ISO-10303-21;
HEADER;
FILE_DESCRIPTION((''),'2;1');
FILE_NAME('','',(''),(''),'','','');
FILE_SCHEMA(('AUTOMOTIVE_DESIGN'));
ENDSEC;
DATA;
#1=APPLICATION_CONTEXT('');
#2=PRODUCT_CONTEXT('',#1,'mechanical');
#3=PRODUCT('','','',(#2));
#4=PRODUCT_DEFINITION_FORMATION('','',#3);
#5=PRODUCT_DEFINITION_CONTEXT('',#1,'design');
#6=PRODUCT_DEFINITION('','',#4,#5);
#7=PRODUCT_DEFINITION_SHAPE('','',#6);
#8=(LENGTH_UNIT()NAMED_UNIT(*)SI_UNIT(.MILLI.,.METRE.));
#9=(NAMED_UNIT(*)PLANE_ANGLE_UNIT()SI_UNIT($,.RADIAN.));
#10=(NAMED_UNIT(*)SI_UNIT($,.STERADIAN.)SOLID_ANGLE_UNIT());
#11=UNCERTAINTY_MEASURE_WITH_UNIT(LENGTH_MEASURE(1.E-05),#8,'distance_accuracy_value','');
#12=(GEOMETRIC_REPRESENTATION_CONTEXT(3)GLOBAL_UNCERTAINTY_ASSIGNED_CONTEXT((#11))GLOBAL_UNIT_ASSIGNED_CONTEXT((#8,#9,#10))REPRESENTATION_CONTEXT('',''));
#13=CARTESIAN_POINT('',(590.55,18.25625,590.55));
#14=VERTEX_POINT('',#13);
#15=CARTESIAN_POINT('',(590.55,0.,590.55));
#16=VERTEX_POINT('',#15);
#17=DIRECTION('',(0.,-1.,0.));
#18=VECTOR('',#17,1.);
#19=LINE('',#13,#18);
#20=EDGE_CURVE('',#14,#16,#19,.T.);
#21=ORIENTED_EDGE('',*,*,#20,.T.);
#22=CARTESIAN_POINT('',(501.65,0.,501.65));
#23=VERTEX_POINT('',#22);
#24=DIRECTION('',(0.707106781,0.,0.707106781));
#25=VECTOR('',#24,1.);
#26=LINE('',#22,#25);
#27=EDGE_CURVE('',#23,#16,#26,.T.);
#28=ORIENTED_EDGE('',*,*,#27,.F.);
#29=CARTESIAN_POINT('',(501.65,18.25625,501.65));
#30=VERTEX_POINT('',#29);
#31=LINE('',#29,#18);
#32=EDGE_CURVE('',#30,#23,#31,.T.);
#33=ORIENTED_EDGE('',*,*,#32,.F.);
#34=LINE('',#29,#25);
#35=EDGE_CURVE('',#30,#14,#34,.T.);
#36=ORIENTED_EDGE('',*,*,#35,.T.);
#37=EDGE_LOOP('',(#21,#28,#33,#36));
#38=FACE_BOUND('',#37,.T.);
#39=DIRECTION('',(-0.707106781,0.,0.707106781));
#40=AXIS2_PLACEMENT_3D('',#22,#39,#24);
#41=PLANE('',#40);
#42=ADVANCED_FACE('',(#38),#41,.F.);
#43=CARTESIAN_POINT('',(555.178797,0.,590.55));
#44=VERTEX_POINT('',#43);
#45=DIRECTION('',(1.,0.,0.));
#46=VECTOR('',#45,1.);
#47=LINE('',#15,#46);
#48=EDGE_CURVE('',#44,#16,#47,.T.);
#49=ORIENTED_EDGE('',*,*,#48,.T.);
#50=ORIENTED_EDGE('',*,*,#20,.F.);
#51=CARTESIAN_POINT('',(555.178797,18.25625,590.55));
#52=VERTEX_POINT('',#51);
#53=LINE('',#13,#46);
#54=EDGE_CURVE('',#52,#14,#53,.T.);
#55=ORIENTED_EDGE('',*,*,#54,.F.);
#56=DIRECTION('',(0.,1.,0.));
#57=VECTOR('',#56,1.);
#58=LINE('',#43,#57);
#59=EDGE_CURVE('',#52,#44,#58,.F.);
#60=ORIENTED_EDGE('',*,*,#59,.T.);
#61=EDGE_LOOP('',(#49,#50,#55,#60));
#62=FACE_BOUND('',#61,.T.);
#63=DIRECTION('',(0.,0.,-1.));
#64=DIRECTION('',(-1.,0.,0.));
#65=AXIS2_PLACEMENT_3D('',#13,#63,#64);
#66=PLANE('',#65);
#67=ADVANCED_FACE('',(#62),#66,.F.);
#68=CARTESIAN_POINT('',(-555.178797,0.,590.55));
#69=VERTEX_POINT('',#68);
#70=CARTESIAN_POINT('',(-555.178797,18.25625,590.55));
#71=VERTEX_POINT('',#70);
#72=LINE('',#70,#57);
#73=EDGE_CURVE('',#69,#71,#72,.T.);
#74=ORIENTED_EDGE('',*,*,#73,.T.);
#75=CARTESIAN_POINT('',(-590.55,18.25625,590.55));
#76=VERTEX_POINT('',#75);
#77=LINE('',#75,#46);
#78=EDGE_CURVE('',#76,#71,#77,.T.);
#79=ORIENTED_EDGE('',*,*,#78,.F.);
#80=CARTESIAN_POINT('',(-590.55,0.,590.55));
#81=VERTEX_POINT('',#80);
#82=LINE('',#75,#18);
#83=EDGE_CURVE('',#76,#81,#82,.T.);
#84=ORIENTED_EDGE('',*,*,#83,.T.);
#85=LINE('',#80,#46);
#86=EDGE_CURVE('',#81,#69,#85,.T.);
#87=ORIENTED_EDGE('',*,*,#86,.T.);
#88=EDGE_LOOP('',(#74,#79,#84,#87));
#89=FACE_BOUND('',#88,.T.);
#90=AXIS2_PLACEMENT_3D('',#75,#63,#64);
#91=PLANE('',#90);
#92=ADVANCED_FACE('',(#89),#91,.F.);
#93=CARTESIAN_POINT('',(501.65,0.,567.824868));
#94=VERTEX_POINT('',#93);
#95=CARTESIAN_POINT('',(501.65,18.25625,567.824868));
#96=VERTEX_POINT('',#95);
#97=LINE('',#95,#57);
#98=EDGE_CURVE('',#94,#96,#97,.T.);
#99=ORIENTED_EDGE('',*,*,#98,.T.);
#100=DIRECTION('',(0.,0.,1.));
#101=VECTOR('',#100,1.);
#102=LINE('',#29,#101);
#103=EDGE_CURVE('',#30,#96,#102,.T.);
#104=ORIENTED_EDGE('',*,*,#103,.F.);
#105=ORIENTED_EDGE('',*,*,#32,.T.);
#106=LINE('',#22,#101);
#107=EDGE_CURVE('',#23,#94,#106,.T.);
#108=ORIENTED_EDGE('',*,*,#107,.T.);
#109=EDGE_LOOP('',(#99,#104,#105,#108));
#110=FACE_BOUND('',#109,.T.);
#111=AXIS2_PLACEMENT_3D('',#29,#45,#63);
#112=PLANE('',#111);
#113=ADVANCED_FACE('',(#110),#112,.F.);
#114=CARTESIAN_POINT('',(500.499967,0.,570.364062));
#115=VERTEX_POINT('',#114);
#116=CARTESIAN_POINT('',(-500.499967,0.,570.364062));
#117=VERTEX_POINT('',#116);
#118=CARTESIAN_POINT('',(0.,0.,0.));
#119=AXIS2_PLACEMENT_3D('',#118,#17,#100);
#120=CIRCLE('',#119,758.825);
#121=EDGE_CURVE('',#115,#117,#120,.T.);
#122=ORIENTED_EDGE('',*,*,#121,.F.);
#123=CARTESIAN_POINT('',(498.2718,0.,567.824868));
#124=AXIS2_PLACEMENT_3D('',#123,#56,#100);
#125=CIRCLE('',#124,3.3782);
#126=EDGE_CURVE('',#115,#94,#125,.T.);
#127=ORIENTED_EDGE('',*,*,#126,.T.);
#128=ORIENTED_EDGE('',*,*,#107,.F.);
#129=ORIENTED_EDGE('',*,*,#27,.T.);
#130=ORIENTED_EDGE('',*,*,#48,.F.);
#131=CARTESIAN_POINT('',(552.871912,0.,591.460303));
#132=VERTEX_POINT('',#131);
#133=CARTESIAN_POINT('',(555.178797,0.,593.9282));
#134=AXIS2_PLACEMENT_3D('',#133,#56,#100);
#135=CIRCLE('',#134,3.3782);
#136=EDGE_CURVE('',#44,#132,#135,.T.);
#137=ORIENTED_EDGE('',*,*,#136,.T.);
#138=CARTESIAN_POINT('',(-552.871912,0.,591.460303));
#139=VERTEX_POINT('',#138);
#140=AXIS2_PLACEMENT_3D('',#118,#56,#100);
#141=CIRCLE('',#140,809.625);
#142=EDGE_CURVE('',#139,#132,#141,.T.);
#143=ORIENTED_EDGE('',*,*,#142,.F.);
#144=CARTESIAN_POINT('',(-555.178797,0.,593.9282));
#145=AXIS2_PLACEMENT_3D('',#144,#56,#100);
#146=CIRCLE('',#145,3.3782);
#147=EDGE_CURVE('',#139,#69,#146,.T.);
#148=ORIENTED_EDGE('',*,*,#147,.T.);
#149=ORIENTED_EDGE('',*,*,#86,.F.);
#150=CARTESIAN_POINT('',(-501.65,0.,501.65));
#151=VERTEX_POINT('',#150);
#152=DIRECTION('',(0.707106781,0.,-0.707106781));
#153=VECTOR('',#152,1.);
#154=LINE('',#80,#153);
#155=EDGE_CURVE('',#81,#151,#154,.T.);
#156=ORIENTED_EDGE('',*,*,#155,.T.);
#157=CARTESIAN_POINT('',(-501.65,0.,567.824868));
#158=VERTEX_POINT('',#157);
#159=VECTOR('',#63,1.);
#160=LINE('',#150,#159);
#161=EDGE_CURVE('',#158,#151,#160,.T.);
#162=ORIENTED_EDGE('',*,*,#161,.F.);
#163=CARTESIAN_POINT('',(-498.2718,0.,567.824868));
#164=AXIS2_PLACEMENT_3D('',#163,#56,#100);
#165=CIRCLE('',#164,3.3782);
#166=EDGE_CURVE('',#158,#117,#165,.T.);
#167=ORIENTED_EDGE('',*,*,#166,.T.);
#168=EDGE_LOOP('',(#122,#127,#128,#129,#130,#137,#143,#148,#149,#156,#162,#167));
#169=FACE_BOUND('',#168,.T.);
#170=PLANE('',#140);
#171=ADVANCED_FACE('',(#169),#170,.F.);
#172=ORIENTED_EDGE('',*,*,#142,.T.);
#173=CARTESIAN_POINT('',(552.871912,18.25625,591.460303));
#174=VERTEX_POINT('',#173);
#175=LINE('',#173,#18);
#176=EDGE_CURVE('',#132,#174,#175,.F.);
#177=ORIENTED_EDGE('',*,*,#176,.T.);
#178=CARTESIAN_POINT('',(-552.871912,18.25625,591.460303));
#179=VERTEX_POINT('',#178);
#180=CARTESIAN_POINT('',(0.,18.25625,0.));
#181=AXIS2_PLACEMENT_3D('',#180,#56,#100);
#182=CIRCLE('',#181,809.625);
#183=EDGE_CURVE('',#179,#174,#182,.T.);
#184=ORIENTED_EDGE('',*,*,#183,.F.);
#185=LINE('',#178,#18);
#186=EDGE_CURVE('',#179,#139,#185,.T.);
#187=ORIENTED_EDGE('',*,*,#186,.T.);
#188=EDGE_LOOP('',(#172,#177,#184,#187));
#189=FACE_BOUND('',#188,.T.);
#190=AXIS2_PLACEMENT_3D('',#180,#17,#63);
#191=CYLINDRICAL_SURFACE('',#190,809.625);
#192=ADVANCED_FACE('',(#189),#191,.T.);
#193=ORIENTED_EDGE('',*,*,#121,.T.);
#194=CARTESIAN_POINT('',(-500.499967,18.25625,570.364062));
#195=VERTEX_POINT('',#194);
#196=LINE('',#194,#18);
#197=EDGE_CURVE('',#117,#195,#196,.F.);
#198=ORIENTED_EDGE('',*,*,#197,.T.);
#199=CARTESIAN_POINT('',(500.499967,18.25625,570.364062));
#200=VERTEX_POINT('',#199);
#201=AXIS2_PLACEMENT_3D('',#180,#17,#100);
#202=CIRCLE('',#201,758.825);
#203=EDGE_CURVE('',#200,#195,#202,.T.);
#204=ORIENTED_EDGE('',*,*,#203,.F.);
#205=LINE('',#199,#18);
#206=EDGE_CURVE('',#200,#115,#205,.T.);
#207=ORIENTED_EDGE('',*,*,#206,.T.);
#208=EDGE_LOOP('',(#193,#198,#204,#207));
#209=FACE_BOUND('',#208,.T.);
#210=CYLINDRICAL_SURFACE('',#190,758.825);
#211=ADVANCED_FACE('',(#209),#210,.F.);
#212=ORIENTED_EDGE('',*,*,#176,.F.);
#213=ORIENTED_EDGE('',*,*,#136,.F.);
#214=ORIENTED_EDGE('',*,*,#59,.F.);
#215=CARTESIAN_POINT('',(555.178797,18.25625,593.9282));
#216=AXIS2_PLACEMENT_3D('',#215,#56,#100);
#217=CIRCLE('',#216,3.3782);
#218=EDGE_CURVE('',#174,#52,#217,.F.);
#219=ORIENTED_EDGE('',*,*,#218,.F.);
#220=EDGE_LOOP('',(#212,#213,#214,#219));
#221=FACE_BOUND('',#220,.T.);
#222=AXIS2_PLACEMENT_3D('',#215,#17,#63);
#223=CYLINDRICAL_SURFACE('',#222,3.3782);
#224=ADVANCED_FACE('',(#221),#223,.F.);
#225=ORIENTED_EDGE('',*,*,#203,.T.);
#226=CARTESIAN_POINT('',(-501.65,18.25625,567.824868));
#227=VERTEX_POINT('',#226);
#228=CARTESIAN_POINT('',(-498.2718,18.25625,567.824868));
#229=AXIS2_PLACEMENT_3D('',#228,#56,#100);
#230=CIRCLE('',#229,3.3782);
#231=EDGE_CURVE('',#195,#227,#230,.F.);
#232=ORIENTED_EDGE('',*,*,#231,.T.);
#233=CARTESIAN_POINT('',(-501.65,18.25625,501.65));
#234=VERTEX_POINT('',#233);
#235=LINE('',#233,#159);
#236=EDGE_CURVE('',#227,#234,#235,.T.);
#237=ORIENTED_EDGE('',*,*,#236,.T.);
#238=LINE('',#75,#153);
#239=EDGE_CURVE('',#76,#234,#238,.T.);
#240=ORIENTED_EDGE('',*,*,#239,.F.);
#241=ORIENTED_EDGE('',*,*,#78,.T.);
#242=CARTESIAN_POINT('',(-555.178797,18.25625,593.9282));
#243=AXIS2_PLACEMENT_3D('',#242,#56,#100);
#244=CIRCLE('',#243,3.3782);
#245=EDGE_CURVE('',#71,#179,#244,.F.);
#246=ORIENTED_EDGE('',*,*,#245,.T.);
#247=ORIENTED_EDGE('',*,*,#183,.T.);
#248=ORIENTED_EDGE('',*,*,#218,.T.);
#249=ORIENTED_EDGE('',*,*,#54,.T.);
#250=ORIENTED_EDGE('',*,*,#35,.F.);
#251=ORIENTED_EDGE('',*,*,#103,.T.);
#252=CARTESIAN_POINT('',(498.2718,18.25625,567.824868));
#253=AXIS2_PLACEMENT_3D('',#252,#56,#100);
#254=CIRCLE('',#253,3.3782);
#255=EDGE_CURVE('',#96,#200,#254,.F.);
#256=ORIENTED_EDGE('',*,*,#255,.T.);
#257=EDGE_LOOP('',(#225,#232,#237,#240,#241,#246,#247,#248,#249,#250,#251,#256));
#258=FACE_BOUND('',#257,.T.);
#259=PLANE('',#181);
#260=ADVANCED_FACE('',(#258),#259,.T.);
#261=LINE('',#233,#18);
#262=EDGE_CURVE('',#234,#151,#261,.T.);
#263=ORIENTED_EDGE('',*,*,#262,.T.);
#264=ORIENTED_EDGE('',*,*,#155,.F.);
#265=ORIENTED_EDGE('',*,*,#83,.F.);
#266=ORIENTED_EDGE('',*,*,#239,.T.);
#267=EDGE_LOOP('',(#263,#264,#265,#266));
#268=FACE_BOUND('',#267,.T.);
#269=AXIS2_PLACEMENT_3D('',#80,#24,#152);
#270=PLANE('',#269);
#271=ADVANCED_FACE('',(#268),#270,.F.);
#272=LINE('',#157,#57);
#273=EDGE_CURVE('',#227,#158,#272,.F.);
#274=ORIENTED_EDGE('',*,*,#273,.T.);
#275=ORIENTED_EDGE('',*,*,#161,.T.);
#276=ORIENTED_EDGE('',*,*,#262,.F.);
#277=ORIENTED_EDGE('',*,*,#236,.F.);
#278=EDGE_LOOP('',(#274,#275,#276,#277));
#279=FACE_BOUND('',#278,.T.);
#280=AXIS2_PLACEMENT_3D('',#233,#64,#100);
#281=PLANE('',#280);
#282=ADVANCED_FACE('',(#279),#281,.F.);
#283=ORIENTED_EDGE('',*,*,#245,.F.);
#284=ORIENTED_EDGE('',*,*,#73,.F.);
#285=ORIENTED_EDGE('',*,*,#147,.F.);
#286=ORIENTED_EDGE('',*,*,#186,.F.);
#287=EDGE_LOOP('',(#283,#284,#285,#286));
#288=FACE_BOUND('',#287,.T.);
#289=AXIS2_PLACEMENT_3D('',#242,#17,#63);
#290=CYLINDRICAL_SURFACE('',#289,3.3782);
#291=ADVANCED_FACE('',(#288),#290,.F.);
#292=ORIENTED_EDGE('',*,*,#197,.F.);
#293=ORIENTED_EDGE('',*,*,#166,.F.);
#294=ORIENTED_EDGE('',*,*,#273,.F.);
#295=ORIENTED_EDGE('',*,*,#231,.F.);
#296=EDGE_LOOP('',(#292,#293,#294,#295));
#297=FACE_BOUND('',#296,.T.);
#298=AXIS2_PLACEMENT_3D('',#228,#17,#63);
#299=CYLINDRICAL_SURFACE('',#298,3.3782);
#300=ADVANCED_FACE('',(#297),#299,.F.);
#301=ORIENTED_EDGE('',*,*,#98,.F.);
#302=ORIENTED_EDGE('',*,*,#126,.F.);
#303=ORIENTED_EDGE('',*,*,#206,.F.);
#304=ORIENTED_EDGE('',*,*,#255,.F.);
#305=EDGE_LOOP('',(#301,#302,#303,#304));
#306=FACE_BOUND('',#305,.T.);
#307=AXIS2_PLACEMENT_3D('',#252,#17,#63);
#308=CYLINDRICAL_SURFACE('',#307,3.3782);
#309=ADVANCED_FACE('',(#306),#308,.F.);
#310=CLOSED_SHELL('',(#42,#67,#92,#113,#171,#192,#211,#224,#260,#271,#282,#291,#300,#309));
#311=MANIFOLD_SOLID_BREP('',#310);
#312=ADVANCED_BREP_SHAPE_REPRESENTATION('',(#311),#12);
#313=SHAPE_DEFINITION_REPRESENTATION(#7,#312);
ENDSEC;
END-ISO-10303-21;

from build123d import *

# Parameters (mm, degrees)
BOSS_EXTRUDE1_DEPTH = 18.25625
SKETCH4_W           = 88.9
SKETCH4_H           = 88.9
BOSS_EXTRUDE2_DEPTH = 18.25625
CUT_EXTRUDE1_DEPTH  = 1003.285006268
FILLET1_R           = 3.3782


with BuildPart() as part:
    # Sketch3 → Boss-Extrude1 (new body)
    with BuildSketch(Plane(origin=(0, 0, 0), x_dir=(1, 0, 0), z_dir=(0, 1, 0))):
        with BuildLine():
            Line((-501.65, -501.65), (-590.55, -590.55))
            Line((-590.55, -590.55), (-553.84414606, -590.55))
            ThreePointArc((-553.84414606, -590.55), (0, -809.625), (553.84414606, -590.55))
            Line((553.84414606, -590.55), (590.55, -590.55))
            Line((590.55, -590.55), (501.65, -501.65))
            Line((501.65, -501.65), (501.65, -569.352841501))
            ThreePointArc((501.65, -569.352841501), (0, -758.825), (-501.65, -569.352841501))
            Line((-501.65, -569.352841501), (-501.65, -501.65))
        make_face()
    extrude(amount=BOSS_EXTRUDE1_DEPTH)

    # Sketch4 → Boss-Extrude2 (add)
    with BuildSketch(Plane(origin=(0, 18.25625, 0), x_dir=(1, 0, 0), z_dir=(0, 1, 0))):
        with Locations((-546.1, -546.1)):
            Rectangle(SKETCH4_W, SKETCH4_H)
        with Locations((546.1, -546.1)):
            Rectangle(SKETCH4_W, SKETCH4_H)
    extrude(amount=-BOSS_EXTRUDE2_DEPTH)

    # Sketch5 → Cut-Extrude1 (cut, through all)
    with BuildSketch(Plane(origin=(0, 18.25625, 0), x_dir=(1, 0, 0), z_dir=(0, 1, 0))):
        Polygon((-590.55, -590.55), (-501.65, -501.65), (-590.55, -501.65), align=None)
        Polygon((501.65, -501.65), (590.55, -590.55), (590.55, -501.65), align=None)
    extrude(amount=-CUT_EXTRUDE1_DEPTH, mode=Mode.SUBTRACT)

    # Fillet1
    fillet1_edges = [part.edges().sort_by_distance(p)[0] for p in [
        (-501.65, 9.128125, 569.352841501),
        (501.65, 9.128125, 569.352841501),
        (553.84414606, 9.128125, 590.55),
        (-553.84414606, 9.128125, 590.55),
    ]]
    fillet(fillet1_edges, radius=FILLET1_R)


solid = part.part
